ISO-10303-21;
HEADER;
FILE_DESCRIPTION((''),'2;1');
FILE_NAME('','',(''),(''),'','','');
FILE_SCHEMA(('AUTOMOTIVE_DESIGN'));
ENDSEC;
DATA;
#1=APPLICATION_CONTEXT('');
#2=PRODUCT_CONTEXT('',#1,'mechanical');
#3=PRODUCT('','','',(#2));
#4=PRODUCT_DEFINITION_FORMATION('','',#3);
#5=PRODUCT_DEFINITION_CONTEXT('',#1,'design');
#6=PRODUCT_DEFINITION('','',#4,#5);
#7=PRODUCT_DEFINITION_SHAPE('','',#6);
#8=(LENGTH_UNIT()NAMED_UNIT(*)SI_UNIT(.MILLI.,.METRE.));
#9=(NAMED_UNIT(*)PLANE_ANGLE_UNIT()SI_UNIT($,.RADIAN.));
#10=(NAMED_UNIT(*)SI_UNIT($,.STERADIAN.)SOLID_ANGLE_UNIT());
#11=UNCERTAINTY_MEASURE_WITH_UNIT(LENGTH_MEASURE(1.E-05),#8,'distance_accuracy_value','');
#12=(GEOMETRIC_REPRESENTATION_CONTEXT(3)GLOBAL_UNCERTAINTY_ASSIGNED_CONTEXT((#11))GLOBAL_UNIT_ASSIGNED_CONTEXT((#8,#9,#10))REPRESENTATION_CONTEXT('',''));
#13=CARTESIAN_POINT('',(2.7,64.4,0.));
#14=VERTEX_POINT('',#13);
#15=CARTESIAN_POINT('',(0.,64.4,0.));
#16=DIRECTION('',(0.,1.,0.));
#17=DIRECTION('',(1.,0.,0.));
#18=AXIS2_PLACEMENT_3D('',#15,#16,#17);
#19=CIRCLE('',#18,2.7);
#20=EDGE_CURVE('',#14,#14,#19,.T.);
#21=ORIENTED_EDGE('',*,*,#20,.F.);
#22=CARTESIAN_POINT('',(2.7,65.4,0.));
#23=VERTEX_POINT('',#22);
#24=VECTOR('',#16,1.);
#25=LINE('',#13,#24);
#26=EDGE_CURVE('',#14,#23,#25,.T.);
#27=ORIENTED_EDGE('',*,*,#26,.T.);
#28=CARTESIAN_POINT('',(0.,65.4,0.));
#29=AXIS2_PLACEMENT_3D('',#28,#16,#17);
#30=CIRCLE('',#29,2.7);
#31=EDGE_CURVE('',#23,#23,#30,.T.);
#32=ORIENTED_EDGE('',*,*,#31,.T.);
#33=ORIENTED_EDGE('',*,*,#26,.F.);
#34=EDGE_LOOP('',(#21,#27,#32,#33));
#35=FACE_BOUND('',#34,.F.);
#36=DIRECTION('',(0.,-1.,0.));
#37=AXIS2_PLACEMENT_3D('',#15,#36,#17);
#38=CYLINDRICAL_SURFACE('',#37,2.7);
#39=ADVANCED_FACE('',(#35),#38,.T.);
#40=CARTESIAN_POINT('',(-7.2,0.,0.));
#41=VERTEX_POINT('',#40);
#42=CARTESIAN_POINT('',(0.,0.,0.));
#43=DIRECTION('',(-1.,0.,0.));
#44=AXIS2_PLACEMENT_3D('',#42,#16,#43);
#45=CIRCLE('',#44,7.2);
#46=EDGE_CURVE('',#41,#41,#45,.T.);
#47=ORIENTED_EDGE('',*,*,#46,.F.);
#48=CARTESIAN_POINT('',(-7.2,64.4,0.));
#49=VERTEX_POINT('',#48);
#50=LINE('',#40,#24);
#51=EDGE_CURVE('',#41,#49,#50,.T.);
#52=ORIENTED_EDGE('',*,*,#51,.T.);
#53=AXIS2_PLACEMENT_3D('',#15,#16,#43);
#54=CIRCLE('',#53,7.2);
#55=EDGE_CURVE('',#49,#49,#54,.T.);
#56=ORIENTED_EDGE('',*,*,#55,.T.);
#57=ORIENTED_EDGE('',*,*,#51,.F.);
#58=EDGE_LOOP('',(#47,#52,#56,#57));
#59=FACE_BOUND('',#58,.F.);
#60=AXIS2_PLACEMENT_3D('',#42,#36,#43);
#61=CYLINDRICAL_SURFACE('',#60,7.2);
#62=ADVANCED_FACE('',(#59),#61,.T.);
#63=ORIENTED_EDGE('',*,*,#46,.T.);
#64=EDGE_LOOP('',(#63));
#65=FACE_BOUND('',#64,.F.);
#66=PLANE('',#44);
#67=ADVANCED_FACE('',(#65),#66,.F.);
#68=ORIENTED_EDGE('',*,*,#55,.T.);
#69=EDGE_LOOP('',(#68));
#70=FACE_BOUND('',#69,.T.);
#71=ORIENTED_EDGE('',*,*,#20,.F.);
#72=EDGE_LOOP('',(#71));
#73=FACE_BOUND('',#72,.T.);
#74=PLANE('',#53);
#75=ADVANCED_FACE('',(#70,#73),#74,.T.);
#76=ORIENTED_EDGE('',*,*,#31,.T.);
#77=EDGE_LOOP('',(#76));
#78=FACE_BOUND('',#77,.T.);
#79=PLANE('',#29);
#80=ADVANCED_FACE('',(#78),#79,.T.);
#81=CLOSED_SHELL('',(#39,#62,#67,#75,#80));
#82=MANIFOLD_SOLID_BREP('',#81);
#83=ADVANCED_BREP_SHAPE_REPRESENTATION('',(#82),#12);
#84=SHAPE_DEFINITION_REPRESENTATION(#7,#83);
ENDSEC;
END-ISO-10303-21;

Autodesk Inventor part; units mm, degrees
ref_plane "YZ Plane" through (0, 0, 0) normal (1, 0, 0) x (0, 1, 0)
ref_plane "XZ Plane" through (0, 0, 0) normal (0, 1, 0) x (-1, 0, 0)
ref_plane "XY Plane" through (0, 0, 0) normal (0, 0, 1) x (1, 0, 0)
sketch "Boceto1" plane through (0, 0, 0) normal (0, 1, 0) x (-1, 0, 0)
  circle A0 centre (0, 0) radius 7.2
  dimension "d0" = 14.4
extrude "Extrusión1" add sketch "Boceto1" along normal blind 64.4
sketch "Boceto2" plane through (0, 64.4, 0) normal (0, 1, 0) x (1, 0, 0)
  circle A0 centre (0, 0) radius 2.7
  dimension "d3" = 5.4
extrude "Extrusión2" add sketch "Boceto2" along normal blind 1
sketch "Boceto3" plane through (0, 0, 0) normal (0, -1, 0) x (1, 0, 0)
  circle A0 centre (0, 0) radius 7.2 projected
properties part number "bateria"
